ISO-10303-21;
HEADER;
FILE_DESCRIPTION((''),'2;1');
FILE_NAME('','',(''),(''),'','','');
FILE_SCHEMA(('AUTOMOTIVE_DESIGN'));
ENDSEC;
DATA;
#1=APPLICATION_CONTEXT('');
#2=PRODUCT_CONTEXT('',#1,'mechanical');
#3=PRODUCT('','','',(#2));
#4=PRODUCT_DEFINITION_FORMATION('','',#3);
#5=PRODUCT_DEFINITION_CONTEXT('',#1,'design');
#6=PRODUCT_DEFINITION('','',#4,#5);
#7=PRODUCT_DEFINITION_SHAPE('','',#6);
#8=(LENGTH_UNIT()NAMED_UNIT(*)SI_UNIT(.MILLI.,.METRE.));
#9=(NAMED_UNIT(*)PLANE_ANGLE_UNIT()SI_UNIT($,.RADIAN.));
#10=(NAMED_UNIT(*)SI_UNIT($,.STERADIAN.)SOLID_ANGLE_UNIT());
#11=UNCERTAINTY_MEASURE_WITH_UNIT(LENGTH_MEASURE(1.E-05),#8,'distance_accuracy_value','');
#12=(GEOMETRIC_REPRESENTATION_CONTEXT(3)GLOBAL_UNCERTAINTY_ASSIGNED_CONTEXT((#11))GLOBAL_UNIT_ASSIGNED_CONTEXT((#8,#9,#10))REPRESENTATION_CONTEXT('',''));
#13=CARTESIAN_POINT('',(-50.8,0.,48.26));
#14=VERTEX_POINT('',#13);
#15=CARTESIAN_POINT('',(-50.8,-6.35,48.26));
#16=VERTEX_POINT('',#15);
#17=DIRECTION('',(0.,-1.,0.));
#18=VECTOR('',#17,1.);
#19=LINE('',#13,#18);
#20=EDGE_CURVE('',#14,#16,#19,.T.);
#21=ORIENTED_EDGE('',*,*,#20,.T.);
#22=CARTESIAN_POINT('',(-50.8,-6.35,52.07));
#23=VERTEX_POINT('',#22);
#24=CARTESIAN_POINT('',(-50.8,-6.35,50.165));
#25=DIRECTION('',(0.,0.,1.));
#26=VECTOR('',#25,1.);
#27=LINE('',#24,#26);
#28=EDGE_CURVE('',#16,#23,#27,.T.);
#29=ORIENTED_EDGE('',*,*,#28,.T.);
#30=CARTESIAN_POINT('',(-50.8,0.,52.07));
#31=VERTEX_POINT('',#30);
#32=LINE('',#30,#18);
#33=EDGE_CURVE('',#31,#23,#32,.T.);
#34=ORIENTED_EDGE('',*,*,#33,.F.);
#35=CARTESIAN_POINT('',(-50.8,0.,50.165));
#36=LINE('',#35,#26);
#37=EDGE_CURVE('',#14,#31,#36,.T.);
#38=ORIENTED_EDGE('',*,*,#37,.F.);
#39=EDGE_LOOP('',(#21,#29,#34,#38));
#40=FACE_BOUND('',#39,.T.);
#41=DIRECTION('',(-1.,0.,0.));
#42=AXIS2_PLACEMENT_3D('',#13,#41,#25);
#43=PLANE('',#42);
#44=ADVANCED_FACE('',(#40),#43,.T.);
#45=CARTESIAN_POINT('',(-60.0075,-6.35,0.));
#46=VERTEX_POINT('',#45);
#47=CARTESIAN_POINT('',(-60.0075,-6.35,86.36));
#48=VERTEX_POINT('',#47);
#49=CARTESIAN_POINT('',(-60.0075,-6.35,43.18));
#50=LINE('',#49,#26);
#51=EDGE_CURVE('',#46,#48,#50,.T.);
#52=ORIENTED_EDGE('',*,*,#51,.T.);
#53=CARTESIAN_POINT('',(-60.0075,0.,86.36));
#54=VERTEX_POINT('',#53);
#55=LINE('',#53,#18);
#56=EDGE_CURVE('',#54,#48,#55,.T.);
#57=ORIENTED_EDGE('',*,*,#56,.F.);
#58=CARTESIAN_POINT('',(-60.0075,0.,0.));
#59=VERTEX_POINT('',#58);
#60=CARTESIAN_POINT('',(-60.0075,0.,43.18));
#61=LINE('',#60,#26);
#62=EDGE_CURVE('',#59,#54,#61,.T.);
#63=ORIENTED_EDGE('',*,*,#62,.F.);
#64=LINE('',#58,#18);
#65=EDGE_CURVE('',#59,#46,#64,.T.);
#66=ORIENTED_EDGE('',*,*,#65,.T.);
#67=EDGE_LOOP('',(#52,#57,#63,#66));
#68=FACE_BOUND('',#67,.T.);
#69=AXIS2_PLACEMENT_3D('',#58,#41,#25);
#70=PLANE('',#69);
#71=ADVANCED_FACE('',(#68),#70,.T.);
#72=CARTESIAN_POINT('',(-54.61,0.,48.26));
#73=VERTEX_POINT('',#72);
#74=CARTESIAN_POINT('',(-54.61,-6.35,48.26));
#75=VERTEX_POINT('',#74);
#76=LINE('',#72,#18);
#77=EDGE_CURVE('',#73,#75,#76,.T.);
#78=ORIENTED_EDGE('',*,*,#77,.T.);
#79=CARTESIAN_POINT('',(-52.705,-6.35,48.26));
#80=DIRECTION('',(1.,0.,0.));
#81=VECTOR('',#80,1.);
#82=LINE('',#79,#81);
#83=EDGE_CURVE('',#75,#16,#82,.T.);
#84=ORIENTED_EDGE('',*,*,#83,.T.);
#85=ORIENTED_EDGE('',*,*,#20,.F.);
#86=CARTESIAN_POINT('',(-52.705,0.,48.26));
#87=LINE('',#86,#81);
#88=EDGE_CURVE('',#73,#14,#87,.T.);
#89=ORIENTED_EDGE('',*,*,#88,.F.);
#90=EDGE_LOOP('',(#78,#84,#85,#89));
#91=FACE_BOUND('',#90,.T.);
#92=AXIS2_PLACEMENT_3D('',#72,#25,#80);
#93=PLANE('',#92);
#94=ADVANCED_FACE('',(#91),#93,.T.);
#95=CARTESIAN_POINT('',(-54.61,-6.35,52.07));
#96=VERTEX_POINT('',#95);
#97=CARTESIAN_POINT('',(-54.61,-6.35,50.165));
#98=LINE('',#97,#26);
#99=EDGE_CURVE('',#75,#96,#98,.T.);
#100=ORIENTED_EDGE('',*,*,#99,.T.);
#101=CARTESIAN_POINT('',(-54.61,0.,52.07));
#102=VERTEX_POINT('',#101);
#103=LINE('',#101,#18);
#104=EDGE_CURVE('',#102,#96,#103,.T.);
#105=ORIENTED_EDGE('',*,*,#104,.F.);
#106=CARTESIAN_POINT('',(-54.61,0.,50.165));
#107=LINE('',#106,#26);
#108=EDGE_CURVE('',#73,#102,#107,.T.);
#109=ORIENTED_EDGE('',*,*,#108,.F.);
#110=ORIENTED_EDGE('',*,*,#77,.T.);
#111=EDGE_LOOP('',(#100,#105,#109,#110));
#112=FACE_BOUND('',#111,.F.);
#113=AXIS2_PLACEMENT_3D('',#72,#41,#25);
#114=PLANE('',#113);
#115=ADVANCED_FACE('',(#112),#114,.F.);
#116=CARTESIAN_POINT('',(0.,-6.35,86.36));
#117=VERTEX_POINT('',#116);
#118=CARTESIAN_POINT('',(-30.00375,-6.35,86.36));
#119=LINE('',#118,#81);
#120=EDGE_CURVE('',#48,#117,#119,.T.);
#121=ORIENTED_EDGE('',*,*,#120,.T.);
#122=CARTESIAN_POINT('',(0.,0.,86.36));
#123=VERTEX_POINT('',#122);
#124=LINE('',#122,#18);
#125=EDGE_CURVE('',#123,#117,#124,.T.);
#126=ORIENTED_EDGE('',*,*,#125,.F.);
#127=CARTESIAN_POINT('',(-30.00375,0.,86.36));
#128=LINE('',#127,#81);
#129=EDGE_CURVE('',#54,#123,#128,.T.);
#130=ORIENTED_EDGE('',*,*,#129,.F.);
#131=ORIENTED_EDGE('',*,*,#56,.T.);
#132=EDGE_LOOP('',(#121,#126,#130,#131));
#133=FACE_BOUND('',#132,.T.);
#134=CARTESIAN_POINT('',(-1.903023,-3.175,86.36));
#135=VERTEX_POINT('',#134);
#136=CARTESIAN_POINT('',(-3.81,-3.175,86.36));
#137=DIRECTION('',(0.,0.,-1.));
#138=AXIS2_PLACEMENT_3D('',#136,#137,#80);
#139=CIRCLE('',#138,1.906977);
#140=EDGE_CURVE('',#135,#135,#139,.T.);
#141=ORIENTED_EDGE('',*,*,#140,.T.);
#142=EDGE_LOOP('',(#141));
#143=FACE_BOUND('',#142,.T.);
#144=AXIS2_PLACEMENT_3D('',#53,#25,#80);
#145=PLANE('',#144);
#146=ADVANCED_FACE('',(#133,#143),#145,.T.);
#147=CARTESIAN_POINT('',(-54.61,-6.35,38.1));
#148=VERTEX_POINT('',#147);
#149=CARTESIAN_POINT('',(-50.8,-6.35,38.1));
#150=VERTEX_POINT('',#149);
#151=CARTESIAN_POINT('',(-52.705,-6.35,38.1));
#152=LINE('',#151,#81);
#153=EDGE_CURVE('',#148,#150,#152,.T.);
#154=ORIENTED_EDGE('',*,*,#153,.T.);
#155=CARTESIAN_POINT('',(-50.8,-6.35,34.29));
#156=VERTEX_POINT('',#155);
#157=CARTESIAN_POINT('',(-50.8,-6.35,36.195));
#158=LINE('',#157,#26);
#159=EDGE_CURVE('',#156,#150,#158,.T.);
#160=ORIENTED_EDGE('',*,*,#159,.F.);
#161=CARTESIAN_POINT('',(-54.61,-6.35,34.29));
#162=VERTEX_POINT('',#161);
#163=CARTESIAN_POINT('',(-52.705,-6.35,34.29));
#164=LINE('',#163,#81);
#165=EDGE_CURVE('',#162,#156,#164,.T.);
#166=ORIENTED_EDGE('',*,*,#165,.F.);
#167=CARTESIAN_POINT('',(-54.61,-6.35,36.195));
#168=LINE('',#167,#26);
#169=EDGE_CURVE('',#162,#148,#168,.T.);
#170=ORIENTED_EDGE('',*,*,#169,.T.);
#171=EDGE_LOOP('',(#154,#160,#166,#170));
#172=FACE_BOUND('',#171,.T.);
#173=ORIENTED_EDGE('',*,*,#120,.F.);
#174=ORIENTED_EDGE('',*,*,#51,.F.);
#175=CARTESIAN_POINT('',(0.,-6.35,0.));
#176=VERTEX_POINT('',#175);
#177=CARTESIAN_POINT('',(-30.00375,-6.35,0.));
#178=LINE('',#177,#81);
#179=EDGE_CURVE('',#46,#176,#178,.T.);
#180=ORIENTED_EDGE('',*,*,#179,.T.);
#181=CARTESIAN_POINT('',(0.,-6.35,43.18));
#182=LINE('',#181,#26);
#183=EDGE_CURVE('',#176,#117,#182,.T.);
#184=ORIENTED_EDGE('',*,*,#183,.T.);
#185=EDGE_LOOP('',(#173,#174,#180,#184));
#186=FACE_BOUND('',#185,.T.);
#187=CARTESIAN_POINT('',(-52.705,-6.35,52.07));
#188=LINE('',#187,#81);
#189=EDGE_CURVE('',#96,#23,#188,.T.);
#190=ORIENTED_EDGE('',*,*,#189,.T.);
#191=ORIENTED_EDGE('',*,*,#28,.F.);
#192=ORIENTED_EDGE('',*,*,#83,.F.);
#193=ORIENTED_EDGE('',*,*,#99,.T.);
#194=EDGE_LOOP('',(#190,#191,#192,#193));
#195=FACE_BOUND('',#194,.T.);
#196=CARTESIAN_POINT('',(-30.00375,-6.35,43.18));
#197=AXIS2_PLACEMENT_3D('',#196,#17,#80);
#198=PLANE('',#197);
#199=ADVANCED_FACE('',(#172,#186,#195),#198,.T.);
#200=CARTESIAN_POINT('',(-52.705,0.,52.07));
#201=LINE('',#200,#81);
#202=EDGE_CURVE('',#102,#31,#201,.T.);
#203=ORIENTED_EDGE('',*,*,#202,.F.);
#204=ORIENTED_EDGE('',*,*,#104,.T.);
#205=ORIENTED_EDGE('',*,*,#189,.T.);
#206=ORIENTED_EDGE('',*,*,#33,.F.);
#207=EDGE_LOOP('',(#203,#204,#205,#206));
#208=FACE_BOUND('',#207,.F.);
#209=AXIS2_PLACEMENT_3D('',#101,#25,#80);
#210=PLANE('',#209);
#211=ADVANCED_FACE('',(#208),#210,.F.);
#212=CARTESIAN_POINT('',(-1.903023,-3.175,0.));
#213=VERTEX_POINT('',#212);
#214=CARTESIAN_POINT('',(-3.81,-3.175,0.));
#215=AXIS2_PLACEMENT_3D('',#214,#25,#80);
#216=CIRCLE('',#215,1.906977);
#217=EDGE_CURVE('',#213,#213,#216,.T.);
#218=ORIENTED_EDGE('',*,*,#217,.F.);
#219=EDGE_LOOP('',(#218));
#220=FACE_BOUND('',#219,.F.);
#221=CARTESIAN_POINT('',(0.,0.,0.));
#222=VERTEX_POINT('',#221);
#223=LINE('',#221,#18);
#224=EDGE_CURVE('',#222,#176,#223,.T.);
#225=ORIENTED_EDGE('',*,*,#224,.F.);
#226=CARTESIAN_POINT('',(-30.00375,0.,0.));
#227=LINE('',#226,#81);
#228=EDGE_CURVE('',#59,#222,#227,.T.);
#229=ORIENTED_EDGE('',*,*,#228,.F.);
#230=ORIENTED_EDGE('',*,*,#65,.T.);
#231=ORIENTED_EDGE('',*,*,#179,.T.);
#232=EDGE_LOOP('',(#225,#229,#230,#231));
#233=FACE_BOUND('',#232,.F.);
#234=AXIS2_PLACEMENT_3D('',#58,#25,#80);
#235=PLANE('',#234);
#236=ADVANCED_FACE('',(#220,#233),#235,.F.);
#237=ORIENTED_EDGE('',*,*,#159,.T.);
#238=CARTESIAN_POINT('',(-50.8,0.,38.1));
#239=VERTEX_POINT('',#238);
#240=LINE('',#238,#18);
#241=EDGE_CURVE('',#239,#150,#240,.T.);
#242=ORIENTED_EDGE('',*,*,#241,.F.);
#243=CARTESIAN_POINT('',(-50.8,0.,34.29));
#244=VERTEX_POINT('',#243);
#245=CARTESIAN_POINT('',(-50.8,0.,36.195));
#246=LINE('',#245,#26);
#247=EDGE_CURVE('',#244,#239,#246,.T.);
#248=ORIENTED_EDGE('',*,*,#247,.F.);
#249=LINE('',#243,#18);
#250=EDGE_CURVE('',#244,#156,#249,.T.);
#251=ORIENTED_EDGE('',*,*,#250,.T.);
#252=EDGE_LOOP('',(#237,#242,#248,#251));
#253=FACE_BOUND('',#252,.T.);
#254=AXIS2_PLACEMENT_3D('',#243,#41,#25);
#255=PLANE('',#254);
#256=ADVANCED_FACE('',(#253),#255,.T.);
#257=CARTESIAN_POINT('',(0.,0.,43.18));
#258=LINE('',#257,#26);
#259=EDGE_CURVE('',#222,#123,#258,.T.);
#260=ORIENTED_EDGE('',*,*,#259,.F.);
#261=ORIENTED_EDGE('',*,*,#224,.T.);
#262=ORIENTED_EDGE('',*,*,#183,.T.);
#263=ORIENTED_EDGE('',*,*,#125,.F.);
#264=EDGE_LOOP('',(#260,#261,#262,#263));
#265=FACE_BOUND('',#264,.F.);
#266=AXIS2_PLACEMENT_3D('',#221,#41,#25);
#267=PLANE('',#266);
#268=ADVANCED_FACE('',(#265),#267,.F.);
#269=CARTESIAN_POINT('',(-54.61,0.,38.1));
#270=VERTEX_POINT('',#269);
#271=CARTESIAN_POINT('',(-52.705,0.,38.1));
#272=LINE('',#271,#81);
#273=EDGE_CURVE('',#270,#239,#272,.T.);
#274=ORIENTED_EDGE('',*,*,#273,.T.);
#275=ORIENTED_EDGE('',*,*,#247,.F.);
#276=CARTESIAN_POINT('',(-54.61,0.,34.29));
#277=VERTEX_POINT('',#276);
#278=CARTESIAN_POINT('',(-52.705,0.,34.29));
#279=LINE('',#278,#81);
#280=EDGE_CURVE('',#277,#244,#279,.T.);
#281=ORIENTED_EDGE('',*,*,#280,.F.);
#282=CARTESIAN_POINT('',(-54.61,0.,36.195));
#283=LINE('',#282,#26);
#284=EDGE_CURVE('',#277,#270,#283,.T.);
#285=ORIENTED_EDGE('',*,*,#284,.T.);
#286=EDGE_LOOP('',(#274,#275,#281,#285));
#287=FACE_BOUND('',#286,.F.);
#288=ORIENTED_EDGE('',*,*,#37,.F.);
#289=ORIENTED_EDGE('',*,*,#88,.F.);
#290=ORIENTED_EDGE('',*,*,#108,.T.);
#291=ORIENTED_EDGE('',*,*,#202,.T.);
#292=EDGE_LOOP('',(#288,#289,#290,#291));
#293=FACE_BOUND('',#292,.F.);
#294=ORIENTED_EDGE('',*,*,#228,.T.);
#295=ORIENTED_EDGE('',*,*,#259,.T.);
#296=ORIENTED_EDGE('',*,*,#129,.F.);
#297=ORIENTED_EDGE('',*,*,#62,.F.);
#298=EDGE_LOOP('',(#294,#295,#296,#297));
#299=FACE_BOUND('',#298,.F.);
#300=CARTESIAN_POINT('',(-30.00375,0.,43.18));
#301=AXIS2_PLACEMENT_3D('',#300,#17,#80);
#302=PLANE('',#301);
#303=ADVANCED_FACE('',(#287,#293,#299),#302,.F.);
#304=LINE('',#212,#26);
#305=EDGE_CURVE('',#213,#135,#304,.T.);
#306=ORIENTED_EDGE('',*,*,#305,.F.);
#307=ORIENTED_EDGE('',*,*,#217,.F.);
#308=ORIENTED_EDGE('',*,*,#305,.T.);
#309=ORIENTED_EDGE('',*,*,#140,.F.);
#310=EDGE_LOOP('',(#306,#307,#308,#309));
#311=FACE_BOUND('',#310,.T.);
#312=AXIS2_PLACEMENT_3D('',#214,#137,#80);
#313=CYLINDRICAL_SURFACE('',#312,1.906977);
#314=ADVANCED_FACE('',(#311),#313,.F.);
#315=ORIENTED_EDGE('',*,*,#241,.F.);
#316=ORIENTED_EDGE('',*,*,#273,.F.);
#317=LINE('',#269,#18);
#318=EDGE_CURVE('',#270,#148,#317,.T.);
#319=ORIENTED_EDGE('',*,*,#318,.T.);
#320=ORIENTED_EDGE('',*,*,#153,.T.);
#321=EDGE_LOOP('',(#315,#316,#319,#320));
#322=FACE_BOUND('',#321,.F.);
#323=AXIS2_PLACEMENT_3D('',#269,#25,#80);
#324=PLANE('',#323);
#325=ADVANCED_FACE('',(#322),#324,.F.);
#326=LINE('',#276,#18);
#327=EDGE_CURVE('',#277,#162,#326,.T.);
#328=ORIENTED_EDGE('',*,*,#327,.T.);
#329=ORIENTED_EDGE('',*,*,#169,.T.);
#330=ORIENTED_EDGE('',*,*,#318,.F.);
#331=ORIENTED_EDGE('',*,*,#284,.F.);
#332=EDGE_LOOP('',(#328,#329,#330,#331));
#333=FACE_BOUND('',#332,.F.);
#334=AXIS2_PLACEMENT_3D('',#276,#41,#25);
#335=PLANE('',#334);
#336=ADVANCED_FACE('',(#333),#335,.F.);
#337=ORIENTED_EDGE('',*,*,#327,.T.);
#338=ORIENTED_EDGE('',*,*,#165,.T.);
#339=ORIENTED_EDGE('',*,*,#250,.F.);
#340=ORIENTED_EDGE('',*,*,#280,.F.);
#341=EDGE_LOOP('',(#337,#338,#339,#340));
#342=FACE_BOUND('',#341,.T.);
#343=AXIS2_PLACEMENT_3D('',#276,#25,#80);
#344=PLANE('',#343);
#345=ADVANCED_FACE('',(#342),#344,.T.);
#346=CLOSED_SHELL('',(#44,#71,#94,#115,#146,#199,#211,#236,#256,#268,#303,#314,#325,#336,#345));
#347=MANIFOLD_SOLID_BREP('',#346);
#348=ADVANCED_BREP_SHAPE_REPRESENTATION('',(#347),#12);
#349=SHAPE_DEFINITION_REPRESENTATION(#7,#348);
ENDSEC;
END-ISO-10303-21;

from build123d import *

# Parameters (mm, degrees)
F0_W     = 60.0075
F0_H     = 86.36
F0_W_2   = 3.81
F0_H_2   = 3.81
F1_DEPTH = 6.35
F2_R     = 1.906977
F3_DEPTH = 86.361


with BuildPart() as f1:
    # F0 (on Front) → F1 (new body)
    with BuildSketch(Plane.XZ):
        with Locations((-30.00375, 43.18)):
            Rectangle(F0_W, F0_H)
        with Locations((-52.705, 36.195)):
            Rectangle(F0_W_2, F0_H_2, mode=Mode.SUBTRACT)
        with Locations((-52.705, 50.165)):
            Rectangle(F0_W_2, F0_H_2, mode=Mode.SUBTRACT)
    extrude(amount=F1_DEPTH)

    # F2 (on Top) → F3 (cut, through all)
    with BuildSketch(Plane.XY):
        with Locations((-3.81, -3.175)):
            Circle(F2_R)
    extrude(amount=F3_DEPTH, mode=Mode.SUBTRACT)


solid = f1.part
